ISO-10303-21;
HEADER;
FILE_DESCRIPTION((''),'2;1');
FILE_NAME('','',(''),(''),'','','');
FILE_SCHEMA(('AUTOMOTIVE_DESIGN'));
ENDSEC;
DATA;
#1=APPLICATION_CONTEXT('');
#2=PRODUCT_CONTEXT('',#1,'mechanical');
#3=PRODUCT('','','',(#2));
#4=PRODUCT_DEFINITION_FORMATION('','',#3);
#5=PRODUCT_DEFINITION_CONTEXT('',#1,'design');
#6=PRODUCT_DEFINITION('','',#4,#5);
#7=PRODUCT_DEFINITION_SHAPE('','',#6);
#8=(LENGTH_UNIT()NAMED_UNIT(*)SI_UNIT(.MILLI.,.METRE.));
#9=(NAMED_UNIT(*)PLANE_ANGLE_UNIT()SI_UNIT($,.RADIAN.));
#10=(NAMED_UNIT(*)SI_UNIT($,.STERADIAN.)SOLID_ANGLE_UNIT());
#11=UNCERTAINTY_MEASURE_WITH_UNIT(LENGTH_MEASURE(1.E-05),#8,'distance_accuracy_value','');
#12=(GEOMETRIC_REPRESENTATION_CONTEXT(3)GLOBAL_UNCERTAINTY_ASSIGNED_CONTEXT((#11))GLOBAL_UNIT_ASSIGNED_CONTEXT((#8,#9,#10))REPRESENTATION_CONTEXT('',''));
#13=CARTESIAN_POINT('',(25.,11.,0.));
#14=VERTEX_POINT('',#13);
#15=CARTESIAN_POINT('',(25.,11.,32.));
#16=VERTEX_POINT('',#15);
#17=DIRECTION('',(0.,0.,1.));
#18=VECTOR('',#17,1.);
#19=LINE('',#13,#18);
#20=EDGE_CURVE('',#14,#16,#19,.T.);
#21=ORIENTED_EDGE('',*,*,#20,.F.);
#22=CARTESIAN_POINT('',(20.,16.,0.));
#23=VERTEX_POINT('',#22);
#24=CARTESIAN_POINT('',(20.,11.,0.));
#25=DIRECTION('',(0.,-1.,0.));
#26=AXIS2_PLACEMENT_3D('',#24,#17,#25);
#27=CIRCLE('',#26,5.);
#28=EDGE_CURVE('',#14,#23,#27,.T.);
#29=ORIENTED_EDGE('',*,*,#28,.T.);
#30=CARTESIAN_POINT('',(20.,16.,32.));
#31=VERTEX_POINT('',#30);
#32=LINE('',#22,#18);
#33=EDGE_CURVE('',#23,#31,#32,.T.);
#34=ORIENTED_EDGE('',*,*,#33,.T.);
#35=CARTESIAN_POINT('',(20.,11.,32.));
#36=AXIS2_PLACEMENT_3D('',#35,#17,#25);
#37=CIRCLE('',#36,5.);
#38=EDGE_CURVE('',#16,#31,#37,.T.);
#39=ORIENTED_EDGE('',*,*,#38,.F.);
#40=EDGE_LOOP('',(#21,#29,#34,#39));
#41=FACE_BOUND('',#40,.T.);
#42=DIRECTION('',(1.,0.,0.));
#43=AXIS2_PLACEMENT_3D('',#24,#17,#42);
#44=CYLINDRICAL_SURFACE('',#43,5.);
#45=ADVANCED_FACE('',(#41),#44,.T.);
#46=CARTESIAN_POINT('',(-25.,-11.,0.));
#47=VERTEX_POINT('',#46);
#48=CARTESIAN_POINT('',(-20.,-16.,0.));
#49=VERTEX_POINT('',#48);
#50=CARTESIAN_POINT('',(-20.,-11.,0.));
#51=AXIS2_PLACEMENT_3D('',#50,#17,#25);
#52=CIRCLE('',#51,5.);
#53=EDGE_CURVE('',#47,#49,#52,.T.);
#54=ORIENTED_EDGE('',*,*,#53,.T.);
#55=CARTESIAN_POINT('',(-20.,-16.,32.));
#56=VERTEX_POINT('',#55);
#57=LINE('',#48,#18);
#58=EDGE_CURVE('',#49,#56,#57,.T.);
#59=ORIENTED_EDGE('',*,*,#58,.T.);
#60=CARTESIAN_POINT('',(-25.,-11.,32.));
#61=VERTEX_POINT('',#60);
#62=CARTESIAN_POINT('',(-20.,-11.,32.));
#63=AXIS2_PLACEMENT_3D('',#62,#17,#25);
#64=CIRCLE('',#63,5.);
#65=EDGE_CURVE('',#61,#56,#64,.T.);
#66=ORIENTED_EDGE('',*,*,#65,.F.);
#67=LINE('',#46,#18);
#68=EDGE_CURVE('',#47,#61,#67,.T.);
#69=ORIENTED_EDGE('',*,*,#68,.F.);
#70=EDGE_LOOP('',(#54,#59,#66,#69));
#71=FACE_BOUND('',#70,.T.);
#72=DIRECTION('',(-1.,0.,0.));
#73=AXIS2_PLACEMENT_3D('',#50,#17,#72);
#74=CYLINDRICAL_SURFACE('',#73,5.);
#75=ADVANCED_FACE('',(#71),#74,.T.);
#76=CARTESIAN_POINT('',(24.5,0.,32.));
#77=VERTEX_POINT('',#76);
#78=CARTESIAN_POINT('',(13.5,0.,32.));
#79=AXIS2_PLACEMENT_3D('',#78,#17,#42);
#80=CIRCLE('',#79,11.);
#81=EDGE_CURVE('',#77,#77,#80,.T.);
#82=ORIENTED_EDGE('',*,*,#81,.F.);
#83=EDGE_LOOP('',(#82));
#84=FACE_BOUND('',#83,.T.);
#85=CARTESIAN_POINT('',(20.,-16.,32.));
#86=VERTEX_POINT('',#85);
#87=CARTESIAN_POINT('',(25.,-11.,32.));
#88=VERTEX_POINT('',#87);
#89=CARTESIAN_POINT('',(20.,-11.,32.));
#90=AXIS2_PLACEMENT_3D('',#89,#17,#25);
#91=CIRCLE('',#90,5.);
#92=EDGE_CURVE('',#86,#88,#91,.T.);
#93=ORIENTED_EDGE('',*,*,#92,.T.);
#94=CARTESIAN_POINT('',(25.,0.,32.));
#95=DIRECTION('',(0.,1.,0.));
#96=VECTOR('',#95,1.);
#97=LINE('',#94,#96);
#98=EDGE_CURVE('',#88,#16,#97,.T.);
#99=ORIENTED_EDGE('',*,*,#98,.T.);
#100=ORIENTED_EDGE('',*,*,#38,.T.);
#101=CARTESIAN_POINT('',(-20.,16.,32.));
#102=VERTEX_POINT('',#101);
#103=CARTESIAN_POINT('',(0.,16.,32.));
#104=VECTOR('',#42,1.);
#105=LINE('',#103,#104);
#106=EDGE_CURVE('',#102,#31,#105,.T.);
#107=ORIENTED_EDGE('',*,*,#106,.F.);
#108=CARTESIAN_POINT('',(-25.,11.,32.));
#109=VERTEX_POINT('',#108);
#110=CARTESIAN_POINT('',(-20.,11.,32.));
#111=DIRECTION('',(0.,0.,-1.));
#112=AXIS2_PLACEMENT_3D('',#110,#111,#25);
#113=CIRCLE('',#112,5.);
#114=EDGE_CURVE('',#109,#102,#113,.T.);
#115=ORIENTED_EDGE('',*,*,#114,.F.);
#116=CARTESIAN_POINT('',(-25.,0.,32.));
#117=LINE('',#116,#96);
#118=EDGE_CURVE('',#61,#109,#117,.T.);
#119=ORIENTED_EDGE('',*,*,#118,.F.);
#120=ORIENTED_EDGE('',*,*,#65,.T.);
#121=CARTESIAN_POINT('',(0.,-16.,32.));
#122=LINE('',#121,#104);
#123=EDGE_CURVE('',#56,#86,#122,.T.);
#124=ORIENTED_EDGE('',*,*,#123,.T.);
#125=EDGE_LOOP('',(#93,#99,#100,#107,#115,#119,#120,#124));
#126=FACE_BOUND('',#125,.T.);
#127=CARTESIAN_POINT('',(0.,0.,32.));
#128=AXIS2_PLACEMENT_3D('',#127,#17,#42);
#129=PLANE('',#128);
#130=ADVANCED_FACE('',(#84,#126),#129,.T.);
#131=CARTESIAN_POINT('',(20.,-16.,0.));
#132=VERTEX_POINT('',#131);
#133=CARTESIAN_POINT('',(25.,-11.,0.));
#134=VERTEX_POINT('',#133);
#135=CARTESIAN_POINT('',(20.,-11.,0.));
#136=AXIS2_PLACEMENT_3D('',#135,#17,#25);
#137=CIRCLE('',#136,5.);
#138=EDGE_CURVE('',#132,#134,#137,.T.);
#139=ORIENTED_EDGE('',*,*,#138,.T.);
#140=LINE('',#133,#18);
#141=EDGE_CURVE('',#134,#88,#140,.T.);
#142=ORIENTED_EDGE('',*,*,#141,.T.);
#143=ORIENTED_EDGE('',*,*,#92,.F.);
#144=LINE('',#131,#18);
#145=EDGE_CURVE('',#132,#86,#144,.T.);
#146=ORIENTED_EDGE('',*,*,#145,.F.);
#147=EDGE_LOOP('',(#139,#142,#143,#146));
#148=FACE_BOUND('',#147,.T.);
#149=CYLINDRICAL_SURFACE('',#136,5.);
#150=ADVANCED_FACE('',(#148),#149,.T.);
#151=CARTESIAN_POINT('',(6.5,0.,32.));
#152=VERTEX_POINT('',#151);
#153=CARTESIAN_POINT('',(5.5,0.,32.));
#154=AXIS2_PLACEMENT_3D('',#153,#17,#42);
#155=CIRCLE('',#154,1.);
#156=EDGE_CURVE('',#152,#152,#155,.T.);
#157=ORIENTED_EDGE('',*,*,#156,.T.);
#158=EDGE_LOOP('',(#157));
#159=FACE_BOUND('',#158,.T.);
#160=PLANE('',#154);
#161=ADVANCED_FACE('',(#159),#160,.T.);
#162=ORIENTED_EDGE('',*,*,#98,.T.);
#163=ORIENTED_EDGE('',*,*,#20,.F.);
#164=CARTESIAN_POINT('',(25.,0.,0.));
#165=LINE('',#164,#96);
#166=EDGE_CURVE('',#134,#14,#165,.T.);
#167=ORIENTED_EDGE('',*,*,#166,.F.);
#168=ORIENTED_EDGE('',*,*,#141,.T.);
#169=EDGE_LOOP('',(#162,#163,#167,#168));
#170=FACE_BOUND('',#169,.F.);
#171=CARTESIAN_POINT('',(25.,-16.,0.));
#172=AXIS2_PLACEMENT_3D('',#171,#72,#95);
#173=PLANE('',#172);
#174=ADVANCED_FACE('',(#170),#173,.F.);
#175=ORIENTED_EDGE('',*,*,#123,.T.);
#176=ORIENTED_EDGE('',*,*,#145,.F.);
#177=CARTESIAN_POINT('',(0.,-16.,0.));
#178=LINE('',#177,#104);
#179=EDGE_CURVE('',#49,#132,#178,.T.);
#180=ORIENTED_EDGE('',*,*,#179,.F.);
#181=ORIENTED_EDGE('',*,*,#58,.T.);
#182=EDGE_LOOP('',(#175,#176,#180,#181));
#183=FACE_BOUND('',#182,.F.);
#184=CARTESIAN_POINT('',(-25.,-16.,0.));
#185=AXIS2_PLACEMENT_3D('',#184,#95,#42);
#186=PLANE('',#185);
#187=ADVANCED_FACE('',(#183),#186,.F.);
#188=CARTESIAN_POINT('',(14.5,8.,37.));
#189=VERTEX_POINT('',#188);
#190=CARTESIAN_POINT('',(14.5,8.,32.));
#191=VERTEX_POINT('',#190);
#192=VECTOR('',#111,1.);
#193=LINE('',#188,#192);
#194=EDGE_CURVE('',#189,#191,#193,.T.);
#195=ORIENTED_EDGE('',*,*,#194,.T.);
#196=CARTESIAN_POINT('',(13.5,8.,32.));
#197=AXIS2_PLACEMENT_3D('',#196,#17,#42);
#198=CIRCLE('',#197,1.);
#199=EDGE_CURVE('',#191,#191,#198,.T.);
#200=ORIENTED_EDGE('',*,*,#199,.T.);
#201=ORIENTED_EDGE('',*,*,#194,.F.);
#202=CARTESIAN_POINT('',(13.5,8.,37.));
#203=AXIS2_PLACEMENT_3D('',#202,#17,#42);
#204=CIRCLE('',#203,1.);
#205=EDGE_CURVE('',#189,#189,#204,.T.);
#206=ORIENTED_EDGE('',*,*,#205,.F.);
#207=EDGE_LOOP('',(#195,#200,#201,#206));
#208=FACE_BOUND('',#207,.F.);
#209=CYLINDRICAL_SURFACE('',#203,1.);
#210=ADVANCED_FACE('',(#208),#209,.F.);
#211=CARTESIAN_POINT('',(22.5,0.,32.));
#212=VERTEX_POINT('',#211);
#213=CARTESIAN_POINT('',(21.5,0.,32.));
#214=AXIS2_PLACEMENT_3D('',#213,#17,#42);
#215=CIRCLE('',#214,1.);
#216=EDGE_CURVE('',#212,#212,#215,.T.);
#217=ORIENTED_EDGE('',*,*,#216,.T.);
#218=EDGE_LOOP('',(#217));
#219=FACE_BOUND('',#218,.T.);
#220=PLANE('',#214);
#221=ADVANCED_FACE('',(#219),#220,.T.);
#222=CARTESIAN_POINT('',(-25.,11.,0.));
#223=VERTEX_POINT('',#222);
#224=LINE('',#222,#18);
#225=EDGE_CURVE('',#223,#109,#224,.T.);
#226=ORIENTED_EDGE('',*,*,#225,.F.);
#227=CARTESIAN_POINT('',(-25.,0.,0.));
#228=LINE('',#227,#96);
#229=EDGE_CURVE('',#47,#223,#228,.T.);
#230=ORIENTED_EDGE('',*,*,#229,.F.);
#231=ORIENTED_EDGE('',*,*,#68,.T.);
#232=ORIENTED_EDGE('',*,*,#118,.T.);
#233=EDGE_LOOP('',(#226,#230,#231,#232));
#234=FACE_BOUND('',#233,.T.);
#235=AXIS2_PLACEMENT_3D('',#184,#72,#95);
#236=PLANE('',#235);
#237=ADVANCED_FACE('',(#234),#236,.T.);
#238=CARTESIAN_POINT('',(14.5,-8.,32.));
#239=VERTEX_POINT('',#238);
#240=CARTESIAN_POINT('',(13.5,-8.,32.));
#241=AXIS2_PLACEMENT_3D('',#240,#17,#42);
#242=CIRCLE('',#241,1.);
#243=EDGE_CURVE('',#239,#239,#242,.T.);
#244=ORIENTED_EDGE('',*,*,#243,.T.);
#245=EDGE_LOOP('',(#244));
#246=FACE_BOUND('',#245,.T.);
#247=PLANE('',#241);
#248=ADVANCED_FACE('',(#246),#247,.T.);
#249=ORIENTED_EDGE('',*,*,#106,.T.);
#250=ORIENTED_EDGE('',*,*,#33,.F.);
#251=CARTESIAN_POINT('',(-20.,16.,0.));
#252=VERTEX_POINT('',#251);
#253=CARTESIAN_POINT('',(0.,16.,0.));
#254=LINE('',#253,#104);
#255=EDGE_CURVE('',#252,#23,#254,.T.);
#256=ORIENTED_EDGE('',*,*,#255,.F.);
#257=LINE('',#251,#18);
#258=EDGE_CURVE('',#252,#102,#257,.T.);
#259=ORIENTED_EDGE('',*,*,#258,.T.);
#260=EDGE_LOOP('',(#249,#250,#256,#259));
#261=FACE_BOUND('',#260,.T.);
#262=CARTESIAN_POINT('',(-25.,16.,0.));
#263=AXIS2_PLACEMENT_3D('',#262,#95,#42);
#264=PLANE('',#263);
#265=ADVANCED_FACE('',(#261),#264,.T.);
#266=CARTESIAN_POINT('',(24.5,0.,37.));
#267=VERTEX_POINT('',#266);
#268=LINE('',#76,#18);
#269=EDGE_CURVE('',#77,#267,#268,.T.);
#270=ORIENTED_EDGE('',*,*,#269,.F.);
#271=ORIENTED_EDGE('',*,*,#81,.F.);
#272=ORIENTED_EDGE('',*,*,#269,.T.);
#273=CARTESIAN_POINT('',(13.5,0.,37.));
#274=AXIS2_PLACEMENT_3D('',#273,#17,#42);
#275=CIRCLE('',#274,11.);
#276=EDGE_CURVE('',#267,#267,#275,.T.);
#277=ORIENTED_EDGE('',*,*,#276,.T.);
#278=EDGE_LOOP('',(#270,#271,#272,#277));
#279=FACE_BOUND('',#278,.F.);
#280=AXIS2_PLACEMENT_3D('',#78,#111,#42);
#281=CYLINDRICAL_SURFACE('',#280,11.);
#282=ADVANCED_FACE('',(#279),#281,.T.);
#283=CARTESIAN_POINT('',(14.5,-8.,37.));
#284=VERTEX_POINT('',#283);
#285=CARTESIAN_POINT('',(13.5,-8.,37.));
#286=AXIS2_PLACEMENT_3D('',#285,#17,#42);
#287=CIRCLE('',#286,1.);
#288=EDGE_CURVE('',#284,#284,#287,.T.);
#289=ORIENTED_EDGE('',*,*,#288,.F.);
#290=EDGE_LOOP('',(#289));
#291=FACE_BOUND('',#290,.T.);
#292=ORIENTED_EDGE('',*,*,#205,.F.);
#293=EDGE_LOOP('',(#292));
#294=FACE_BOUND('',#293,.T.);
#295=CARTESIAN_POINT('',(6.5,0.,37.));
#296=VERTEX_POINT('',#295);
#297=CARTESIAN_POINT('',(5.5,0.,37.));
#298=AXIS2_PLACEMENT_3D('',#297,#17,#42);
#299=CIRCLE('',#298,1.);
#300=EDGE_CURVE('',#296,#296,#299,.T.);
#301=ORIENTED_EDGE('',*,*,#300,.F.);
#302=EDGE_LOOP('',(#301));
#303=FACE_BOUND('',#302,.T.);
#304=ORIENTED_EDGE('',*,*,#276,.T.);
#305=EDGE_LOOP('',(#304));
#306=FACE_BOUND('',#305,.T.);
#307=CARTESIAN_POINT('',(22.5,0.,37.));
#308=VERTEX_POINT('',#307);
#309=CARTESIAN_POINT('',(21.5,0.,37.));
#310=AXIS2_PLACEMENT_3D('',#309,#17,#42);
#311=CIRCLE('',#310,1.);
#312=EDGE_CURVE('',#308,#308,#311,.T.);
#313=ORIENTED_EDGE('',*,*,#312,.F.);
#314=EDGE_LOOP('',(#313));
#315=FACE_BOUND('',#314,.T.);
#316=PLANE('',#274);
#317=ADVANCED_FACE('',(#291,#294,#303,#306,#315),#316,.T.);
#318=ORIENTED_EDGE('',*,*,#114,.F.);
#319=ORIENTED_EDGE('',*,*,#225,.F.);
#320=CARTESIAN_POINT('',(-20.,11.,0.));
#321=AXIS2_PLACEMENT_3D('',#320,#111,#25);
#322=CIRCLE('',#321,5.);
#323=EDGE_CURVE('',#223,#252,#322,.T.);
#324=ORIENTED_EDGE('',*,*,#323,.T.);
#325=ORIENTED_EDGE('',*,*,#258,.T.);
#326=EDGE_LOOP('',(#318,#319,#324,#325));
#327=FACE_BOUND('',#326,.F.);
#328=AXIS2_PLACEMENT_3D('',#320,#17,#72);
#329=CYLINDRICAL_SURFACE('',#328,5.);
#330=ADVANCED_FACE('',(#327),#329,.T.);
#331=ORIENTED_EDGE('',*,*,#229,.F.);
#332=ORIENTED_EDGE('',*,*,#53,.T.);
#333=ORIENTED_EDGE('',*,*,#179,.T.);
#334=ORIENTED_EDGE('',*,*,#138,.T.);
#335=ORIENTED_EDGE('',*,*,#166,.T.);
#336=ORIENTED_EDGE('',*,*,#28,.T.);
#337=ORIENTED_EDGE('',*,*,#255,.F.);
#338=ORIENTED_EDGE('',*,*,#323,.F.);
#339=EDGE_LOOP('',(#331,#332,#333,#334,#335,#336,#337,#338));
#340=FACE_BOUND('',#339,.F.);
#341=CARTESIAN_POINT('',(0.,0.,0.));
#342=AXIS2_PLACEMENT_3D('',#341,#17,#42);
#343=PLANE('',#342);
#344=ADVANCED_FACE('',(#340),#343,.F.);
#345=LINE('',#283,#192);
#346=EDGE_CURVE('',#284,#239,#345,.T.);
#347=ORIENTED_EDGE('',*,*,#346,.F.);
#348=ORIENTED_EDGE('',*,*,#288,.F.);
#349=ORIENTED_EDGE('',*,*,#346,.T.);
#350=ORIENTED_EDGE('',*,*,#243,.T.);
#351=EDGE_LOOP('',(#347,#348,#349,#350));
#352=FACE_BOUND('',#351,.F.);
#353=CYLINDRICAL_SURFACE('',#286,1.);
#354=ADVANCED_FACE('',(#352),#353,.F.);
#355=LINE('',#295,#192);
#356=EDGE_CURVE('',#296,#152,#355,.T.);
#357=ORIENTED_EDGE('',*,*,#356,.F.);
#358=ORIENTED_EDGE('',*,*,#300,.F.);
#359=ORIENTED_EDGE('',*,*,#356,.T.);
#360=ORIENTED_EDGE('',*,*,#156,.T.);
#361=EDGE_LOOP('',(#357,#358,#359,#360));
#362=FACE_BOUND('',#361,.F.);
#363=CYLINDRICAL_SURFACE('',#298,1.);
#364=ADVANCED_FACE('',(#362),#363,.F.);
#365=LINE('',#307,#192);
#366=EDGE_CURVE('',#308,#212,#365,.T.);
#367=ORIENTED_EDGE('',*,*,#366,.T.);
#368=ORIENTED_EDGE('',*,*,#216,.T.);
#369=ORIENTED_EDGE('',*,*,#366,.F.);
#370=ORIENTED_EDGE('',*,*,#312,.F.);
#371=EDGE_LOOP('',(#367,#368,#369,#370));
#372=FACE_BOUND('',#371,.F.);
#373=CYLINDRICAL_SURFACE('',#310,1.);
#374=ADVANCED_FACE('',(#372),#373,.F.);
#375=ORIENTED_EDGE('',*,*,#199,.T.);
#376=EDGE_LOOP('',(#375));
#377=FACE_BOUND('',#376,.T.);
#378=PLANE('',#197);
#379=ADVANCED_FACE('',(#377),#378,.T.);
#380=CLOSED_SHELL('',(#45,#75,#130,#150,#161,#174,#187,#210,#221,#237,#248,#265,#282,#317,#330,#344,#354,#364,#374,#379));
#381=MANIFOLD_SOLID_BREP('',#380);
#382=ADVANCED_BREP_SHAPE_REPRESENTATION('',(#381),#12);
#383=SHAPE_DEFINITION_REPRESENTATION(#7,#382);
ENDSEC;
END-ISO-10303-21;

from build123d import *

# Parameters (mm, degrees)
F0_W     = 50
F0_H     = 32
F1_DEPTH = 32
F2_R     = 5
F3_R     = 11
F4_DEPTH = 5
F5_R     = 1
F6_DEPTH = 5


with BuildPart() as f1:
    # F0 (on Top) → F1 (new body)
    with BuildSketch(Plane.XY):
        Rectangle(F0_W, F0_H)
    extrude(amount=F1_DEPTH)

    # F2
    f2_edges = [f1.edges().sort_by_distance(p)[0] for p in [
        (-25, -16, 16),
        (-25, 16, 16),
        (25, -16, 16),
        (25, 16, 16),
    ]]
    fillet(f2_edges, radius=F2_R)

    # F3 (on face) → F4 (join)
    with BuildSketch(Plane.XY.offset(32)):
        with Locations((13.5, 0)):
            Circle(F3_R)
    extrude(amount=F4_DEPTH)

    # F5 (on face) → F6 (cut)
    with BuildSketch(Plane.XY.offset(37)):
        with Locations((21.5, 0)):
            Circle(F5_R)
        with Locations((13.5, 8)):
            Circle(F5_R)
        with Locations((5.5, 0)):
            Circle(F5_R)
        with Locations((13.5, -8)):
            Circle(F5_R)
    extrude(amount=-F6_DEPTH, mode=Mode.SUBTRACT)


solid = f1.part
